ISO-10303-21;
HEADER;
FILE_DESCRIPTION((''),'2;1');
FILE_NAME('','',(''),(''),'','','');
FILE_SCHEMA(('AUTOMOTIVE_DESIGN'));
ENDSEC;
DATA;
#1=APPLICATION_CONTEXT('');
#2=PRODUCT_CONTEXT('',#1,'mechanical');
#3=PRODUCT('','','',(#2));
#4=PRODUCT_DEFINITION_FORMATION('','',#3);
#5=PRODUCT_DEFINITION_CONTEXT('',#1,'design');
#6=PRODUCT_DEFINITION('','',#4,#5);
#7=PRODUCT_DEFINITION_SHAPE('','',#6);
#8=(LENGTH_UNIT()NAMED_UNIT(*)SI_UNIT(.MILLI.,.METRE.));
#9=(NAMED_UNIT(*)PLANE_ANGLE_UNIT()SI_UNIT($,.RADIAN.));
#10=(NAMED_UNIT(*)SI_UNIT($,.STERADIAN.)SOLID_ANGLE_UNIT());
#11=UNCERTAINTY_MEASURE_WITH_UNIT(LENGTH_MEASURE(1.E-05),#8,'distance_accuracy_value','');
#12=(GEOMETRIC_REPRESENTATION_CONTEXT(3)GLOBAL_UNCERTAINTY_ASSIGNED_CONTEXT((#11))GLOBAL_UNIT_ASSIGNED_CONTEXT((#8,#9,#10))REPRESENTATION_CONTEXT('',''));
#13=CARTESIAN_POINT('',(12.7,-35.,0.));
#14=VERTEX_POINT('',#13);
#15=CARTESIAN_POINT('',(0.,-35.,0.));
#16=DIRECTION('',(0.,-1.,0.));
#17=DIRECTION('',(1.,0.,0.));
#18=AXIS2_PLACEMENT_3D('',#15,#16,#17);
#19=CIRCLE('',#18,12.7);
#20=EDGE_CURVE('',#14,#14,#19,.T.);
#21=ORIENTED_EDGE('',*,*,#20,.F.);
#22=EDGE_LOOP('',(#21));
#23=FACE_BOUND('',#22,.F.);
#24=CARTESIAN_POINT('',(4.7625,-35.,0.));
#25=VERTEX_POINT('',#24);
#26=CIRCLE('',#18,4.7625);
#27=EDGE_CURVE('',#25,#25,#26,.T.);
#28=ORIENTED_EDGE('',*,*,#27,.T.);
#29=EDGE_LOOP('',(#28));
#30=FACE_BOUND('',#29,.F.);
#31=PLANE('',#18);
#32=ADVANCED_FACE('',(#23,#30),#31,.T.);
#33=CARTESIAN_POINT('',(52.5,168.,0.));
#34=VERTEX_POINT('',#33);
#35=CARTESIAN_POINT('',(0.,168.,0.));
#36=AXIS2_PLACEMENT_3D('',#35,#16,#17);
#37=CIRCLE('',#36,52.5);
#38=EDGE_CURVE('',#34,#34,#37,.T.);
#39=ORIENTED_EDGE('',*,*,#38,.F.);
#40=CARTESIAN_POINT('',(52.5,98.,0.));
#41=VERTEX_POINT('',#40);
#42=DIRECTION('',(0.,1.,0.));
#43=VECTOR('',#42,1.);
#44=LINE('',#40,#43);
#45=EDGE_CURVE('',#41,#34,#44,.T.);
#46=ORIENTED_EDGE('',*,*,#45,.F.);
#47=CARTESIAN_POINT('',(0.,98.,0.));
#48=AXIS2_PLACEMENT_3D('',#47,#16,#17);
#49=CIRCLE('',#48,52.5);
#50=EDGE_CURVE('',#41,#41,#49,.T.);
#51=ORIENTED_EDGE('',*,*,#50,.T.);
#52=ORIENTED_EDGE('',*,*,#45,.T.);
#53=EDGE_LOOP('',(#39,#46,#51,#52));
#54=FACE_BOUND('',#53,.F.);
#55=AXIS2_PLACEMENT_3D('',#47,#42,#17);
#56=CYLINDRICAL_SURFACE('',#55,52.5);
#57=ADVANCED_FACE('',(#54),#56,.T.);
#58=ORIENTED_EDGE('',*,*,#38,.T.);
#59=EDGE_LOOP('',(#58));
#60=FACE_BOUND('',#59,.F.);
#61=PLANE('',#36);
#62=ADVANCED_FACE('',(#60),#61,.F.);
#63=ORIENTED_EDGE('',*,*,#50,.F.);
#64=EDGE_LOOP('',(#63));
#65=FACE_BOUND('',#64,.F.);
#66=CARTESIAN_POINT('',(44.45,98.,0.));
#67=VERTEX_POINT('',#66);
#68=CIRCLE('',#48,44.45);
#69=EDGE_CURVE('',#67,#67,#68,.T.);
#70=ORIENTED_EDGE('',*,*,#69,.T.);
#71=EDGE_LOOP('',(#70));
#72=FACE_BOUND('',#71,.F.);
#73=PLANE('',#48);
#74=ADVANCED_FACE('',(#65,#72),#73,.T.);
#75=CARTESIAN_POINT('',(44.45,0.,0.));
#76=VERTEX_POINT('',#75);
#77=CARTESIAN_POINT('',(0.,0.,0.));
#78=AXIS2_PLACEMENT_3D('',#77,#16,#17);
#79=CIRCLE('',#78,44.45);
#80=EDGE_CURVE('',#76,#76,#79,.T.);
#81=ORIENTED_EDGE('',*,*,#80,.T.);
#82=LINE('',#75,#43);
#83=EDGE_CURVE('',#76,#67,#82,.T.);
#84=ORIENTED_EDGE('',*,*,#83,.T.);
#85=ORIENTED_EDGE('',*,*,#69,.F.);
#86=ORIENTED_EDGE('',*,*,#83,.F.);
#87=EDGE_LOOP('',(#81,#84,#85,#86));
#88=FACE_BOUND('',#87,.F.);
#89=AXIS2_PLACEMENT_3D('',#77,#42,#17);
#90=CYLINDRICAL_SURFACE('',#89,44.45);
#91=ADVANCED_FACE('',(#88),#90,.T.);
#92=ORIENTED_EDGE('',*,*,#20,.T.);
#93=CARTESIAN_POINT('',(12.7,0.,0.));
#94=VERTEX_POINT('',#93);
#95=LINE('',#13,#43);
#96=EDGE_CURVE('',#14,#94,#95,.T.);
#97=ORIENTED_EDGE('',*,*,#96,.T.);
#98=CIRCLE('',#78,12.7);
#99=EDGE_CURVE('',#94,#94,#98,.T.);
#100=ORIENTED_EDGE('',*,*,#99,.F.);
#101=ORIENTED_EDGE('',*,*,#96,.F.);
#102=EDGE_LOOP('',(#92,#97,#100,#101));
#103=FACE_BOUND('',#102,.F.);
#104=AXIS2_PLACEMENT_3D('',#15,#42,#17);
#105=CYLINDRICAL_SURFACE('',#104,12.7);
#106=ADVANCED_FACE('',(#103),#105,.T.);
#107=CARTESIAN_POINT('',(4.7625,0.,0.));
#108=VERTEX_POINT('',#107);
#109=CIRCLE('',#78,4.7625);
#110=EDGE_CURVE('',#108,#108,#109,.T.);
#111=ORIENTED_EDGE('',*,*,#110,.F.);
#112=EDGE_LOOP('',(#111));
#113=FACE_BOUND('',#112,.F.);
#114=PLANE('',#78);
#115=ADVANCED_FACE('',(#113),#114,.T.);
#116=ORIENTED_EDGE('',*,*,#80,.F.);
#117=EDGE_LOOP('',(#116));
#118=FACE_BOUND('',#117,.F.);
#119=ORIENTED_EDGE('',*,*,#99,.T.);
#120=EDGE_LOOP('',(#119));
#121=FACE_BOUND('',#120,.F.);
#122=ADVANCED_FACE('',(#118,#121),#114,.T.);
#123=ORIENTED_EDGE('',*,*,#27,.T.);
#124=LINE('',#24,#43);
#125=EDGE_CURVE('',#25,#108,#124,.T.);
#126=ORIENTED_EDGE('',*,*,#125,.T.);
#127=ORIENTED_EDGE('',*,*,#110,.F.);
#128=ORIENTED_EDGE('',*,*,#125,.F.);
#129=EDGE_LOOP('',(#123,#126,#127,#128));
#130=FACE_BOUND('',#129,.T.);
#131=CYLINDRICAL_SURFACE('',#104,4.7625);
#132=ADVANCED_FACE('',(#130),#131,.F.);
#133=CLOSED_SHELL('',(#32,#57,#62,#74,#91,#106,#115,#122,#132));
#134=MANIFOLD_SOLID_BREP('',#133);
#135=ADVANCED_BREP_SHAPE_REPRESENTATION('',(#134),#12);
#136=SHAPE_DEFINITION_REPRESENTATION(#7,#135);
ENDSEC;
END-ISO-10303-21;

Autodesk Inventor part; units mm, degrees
ref_plane "YZ Plane" through (0, 0, 0) normal (1, 0, 0) x (0, 1, 0)
ref_plane "XZ Plane" through (0, 0, 0) normal (0, 1, 0) x (-1, 0, 0)
ref_plane "XY Plane" through (0, 0, 0) normal (0, 0, 1) x (1, 0, 0)
sketch "Sketch1" plane through (0, 0, 0) normal (0, 0, 1) x (1, 0, 0)
  line L0 (0, 0) -> (44.45, 0)
  line L1 (44.45, 0) -> (44.45, 98)
  line L2 (44.45, 98) -> (0, 98)
  line L3 (0, 98) -> (0, 0)
  line L4 (4.7625, 0) -> (0, 0)
  line L5 (0, 0) -> (0, -35)
  line L6 (0, -35) -> (4.7625, -35)
  line L7 (4.7625, -35) -> (4.7625, 0)
  line L8 (4.7625, -35) -> (12.7, -35)
  line L9 (12.7, -35) -> (12.7, 0)
  line L10 (12.7, 0) -> (4.7625, 0)
  line L11 (4.7625, 0) -> (4.7625, -35)
  line L12 (0, 98) -> (52.5, 98)
  line L13 (52.5, 98) -> (52.5, 168)
  line L14 (52.5, 168) -> (0, 168)
  line L15 (0, 168) -> (0, 98)
  dimension "d0" = 44.45
  dimension "d1" = 98
  dimension "d3" = 4.7625
  dimension "d4" = 35
  dimension "d5" = 12.7
  dimension "d6" = 52.5
  dimension "d7" = 70
revolve "Revolution1" add sketch "Sketch1" angle 360 about axis through (0, 98, 0) along (0, -1, 0) contours L3 L2 L1 L0 | L0 L9 L8 L7 | L15 L14 L13 L12 L2
properties part number "Spindle"
